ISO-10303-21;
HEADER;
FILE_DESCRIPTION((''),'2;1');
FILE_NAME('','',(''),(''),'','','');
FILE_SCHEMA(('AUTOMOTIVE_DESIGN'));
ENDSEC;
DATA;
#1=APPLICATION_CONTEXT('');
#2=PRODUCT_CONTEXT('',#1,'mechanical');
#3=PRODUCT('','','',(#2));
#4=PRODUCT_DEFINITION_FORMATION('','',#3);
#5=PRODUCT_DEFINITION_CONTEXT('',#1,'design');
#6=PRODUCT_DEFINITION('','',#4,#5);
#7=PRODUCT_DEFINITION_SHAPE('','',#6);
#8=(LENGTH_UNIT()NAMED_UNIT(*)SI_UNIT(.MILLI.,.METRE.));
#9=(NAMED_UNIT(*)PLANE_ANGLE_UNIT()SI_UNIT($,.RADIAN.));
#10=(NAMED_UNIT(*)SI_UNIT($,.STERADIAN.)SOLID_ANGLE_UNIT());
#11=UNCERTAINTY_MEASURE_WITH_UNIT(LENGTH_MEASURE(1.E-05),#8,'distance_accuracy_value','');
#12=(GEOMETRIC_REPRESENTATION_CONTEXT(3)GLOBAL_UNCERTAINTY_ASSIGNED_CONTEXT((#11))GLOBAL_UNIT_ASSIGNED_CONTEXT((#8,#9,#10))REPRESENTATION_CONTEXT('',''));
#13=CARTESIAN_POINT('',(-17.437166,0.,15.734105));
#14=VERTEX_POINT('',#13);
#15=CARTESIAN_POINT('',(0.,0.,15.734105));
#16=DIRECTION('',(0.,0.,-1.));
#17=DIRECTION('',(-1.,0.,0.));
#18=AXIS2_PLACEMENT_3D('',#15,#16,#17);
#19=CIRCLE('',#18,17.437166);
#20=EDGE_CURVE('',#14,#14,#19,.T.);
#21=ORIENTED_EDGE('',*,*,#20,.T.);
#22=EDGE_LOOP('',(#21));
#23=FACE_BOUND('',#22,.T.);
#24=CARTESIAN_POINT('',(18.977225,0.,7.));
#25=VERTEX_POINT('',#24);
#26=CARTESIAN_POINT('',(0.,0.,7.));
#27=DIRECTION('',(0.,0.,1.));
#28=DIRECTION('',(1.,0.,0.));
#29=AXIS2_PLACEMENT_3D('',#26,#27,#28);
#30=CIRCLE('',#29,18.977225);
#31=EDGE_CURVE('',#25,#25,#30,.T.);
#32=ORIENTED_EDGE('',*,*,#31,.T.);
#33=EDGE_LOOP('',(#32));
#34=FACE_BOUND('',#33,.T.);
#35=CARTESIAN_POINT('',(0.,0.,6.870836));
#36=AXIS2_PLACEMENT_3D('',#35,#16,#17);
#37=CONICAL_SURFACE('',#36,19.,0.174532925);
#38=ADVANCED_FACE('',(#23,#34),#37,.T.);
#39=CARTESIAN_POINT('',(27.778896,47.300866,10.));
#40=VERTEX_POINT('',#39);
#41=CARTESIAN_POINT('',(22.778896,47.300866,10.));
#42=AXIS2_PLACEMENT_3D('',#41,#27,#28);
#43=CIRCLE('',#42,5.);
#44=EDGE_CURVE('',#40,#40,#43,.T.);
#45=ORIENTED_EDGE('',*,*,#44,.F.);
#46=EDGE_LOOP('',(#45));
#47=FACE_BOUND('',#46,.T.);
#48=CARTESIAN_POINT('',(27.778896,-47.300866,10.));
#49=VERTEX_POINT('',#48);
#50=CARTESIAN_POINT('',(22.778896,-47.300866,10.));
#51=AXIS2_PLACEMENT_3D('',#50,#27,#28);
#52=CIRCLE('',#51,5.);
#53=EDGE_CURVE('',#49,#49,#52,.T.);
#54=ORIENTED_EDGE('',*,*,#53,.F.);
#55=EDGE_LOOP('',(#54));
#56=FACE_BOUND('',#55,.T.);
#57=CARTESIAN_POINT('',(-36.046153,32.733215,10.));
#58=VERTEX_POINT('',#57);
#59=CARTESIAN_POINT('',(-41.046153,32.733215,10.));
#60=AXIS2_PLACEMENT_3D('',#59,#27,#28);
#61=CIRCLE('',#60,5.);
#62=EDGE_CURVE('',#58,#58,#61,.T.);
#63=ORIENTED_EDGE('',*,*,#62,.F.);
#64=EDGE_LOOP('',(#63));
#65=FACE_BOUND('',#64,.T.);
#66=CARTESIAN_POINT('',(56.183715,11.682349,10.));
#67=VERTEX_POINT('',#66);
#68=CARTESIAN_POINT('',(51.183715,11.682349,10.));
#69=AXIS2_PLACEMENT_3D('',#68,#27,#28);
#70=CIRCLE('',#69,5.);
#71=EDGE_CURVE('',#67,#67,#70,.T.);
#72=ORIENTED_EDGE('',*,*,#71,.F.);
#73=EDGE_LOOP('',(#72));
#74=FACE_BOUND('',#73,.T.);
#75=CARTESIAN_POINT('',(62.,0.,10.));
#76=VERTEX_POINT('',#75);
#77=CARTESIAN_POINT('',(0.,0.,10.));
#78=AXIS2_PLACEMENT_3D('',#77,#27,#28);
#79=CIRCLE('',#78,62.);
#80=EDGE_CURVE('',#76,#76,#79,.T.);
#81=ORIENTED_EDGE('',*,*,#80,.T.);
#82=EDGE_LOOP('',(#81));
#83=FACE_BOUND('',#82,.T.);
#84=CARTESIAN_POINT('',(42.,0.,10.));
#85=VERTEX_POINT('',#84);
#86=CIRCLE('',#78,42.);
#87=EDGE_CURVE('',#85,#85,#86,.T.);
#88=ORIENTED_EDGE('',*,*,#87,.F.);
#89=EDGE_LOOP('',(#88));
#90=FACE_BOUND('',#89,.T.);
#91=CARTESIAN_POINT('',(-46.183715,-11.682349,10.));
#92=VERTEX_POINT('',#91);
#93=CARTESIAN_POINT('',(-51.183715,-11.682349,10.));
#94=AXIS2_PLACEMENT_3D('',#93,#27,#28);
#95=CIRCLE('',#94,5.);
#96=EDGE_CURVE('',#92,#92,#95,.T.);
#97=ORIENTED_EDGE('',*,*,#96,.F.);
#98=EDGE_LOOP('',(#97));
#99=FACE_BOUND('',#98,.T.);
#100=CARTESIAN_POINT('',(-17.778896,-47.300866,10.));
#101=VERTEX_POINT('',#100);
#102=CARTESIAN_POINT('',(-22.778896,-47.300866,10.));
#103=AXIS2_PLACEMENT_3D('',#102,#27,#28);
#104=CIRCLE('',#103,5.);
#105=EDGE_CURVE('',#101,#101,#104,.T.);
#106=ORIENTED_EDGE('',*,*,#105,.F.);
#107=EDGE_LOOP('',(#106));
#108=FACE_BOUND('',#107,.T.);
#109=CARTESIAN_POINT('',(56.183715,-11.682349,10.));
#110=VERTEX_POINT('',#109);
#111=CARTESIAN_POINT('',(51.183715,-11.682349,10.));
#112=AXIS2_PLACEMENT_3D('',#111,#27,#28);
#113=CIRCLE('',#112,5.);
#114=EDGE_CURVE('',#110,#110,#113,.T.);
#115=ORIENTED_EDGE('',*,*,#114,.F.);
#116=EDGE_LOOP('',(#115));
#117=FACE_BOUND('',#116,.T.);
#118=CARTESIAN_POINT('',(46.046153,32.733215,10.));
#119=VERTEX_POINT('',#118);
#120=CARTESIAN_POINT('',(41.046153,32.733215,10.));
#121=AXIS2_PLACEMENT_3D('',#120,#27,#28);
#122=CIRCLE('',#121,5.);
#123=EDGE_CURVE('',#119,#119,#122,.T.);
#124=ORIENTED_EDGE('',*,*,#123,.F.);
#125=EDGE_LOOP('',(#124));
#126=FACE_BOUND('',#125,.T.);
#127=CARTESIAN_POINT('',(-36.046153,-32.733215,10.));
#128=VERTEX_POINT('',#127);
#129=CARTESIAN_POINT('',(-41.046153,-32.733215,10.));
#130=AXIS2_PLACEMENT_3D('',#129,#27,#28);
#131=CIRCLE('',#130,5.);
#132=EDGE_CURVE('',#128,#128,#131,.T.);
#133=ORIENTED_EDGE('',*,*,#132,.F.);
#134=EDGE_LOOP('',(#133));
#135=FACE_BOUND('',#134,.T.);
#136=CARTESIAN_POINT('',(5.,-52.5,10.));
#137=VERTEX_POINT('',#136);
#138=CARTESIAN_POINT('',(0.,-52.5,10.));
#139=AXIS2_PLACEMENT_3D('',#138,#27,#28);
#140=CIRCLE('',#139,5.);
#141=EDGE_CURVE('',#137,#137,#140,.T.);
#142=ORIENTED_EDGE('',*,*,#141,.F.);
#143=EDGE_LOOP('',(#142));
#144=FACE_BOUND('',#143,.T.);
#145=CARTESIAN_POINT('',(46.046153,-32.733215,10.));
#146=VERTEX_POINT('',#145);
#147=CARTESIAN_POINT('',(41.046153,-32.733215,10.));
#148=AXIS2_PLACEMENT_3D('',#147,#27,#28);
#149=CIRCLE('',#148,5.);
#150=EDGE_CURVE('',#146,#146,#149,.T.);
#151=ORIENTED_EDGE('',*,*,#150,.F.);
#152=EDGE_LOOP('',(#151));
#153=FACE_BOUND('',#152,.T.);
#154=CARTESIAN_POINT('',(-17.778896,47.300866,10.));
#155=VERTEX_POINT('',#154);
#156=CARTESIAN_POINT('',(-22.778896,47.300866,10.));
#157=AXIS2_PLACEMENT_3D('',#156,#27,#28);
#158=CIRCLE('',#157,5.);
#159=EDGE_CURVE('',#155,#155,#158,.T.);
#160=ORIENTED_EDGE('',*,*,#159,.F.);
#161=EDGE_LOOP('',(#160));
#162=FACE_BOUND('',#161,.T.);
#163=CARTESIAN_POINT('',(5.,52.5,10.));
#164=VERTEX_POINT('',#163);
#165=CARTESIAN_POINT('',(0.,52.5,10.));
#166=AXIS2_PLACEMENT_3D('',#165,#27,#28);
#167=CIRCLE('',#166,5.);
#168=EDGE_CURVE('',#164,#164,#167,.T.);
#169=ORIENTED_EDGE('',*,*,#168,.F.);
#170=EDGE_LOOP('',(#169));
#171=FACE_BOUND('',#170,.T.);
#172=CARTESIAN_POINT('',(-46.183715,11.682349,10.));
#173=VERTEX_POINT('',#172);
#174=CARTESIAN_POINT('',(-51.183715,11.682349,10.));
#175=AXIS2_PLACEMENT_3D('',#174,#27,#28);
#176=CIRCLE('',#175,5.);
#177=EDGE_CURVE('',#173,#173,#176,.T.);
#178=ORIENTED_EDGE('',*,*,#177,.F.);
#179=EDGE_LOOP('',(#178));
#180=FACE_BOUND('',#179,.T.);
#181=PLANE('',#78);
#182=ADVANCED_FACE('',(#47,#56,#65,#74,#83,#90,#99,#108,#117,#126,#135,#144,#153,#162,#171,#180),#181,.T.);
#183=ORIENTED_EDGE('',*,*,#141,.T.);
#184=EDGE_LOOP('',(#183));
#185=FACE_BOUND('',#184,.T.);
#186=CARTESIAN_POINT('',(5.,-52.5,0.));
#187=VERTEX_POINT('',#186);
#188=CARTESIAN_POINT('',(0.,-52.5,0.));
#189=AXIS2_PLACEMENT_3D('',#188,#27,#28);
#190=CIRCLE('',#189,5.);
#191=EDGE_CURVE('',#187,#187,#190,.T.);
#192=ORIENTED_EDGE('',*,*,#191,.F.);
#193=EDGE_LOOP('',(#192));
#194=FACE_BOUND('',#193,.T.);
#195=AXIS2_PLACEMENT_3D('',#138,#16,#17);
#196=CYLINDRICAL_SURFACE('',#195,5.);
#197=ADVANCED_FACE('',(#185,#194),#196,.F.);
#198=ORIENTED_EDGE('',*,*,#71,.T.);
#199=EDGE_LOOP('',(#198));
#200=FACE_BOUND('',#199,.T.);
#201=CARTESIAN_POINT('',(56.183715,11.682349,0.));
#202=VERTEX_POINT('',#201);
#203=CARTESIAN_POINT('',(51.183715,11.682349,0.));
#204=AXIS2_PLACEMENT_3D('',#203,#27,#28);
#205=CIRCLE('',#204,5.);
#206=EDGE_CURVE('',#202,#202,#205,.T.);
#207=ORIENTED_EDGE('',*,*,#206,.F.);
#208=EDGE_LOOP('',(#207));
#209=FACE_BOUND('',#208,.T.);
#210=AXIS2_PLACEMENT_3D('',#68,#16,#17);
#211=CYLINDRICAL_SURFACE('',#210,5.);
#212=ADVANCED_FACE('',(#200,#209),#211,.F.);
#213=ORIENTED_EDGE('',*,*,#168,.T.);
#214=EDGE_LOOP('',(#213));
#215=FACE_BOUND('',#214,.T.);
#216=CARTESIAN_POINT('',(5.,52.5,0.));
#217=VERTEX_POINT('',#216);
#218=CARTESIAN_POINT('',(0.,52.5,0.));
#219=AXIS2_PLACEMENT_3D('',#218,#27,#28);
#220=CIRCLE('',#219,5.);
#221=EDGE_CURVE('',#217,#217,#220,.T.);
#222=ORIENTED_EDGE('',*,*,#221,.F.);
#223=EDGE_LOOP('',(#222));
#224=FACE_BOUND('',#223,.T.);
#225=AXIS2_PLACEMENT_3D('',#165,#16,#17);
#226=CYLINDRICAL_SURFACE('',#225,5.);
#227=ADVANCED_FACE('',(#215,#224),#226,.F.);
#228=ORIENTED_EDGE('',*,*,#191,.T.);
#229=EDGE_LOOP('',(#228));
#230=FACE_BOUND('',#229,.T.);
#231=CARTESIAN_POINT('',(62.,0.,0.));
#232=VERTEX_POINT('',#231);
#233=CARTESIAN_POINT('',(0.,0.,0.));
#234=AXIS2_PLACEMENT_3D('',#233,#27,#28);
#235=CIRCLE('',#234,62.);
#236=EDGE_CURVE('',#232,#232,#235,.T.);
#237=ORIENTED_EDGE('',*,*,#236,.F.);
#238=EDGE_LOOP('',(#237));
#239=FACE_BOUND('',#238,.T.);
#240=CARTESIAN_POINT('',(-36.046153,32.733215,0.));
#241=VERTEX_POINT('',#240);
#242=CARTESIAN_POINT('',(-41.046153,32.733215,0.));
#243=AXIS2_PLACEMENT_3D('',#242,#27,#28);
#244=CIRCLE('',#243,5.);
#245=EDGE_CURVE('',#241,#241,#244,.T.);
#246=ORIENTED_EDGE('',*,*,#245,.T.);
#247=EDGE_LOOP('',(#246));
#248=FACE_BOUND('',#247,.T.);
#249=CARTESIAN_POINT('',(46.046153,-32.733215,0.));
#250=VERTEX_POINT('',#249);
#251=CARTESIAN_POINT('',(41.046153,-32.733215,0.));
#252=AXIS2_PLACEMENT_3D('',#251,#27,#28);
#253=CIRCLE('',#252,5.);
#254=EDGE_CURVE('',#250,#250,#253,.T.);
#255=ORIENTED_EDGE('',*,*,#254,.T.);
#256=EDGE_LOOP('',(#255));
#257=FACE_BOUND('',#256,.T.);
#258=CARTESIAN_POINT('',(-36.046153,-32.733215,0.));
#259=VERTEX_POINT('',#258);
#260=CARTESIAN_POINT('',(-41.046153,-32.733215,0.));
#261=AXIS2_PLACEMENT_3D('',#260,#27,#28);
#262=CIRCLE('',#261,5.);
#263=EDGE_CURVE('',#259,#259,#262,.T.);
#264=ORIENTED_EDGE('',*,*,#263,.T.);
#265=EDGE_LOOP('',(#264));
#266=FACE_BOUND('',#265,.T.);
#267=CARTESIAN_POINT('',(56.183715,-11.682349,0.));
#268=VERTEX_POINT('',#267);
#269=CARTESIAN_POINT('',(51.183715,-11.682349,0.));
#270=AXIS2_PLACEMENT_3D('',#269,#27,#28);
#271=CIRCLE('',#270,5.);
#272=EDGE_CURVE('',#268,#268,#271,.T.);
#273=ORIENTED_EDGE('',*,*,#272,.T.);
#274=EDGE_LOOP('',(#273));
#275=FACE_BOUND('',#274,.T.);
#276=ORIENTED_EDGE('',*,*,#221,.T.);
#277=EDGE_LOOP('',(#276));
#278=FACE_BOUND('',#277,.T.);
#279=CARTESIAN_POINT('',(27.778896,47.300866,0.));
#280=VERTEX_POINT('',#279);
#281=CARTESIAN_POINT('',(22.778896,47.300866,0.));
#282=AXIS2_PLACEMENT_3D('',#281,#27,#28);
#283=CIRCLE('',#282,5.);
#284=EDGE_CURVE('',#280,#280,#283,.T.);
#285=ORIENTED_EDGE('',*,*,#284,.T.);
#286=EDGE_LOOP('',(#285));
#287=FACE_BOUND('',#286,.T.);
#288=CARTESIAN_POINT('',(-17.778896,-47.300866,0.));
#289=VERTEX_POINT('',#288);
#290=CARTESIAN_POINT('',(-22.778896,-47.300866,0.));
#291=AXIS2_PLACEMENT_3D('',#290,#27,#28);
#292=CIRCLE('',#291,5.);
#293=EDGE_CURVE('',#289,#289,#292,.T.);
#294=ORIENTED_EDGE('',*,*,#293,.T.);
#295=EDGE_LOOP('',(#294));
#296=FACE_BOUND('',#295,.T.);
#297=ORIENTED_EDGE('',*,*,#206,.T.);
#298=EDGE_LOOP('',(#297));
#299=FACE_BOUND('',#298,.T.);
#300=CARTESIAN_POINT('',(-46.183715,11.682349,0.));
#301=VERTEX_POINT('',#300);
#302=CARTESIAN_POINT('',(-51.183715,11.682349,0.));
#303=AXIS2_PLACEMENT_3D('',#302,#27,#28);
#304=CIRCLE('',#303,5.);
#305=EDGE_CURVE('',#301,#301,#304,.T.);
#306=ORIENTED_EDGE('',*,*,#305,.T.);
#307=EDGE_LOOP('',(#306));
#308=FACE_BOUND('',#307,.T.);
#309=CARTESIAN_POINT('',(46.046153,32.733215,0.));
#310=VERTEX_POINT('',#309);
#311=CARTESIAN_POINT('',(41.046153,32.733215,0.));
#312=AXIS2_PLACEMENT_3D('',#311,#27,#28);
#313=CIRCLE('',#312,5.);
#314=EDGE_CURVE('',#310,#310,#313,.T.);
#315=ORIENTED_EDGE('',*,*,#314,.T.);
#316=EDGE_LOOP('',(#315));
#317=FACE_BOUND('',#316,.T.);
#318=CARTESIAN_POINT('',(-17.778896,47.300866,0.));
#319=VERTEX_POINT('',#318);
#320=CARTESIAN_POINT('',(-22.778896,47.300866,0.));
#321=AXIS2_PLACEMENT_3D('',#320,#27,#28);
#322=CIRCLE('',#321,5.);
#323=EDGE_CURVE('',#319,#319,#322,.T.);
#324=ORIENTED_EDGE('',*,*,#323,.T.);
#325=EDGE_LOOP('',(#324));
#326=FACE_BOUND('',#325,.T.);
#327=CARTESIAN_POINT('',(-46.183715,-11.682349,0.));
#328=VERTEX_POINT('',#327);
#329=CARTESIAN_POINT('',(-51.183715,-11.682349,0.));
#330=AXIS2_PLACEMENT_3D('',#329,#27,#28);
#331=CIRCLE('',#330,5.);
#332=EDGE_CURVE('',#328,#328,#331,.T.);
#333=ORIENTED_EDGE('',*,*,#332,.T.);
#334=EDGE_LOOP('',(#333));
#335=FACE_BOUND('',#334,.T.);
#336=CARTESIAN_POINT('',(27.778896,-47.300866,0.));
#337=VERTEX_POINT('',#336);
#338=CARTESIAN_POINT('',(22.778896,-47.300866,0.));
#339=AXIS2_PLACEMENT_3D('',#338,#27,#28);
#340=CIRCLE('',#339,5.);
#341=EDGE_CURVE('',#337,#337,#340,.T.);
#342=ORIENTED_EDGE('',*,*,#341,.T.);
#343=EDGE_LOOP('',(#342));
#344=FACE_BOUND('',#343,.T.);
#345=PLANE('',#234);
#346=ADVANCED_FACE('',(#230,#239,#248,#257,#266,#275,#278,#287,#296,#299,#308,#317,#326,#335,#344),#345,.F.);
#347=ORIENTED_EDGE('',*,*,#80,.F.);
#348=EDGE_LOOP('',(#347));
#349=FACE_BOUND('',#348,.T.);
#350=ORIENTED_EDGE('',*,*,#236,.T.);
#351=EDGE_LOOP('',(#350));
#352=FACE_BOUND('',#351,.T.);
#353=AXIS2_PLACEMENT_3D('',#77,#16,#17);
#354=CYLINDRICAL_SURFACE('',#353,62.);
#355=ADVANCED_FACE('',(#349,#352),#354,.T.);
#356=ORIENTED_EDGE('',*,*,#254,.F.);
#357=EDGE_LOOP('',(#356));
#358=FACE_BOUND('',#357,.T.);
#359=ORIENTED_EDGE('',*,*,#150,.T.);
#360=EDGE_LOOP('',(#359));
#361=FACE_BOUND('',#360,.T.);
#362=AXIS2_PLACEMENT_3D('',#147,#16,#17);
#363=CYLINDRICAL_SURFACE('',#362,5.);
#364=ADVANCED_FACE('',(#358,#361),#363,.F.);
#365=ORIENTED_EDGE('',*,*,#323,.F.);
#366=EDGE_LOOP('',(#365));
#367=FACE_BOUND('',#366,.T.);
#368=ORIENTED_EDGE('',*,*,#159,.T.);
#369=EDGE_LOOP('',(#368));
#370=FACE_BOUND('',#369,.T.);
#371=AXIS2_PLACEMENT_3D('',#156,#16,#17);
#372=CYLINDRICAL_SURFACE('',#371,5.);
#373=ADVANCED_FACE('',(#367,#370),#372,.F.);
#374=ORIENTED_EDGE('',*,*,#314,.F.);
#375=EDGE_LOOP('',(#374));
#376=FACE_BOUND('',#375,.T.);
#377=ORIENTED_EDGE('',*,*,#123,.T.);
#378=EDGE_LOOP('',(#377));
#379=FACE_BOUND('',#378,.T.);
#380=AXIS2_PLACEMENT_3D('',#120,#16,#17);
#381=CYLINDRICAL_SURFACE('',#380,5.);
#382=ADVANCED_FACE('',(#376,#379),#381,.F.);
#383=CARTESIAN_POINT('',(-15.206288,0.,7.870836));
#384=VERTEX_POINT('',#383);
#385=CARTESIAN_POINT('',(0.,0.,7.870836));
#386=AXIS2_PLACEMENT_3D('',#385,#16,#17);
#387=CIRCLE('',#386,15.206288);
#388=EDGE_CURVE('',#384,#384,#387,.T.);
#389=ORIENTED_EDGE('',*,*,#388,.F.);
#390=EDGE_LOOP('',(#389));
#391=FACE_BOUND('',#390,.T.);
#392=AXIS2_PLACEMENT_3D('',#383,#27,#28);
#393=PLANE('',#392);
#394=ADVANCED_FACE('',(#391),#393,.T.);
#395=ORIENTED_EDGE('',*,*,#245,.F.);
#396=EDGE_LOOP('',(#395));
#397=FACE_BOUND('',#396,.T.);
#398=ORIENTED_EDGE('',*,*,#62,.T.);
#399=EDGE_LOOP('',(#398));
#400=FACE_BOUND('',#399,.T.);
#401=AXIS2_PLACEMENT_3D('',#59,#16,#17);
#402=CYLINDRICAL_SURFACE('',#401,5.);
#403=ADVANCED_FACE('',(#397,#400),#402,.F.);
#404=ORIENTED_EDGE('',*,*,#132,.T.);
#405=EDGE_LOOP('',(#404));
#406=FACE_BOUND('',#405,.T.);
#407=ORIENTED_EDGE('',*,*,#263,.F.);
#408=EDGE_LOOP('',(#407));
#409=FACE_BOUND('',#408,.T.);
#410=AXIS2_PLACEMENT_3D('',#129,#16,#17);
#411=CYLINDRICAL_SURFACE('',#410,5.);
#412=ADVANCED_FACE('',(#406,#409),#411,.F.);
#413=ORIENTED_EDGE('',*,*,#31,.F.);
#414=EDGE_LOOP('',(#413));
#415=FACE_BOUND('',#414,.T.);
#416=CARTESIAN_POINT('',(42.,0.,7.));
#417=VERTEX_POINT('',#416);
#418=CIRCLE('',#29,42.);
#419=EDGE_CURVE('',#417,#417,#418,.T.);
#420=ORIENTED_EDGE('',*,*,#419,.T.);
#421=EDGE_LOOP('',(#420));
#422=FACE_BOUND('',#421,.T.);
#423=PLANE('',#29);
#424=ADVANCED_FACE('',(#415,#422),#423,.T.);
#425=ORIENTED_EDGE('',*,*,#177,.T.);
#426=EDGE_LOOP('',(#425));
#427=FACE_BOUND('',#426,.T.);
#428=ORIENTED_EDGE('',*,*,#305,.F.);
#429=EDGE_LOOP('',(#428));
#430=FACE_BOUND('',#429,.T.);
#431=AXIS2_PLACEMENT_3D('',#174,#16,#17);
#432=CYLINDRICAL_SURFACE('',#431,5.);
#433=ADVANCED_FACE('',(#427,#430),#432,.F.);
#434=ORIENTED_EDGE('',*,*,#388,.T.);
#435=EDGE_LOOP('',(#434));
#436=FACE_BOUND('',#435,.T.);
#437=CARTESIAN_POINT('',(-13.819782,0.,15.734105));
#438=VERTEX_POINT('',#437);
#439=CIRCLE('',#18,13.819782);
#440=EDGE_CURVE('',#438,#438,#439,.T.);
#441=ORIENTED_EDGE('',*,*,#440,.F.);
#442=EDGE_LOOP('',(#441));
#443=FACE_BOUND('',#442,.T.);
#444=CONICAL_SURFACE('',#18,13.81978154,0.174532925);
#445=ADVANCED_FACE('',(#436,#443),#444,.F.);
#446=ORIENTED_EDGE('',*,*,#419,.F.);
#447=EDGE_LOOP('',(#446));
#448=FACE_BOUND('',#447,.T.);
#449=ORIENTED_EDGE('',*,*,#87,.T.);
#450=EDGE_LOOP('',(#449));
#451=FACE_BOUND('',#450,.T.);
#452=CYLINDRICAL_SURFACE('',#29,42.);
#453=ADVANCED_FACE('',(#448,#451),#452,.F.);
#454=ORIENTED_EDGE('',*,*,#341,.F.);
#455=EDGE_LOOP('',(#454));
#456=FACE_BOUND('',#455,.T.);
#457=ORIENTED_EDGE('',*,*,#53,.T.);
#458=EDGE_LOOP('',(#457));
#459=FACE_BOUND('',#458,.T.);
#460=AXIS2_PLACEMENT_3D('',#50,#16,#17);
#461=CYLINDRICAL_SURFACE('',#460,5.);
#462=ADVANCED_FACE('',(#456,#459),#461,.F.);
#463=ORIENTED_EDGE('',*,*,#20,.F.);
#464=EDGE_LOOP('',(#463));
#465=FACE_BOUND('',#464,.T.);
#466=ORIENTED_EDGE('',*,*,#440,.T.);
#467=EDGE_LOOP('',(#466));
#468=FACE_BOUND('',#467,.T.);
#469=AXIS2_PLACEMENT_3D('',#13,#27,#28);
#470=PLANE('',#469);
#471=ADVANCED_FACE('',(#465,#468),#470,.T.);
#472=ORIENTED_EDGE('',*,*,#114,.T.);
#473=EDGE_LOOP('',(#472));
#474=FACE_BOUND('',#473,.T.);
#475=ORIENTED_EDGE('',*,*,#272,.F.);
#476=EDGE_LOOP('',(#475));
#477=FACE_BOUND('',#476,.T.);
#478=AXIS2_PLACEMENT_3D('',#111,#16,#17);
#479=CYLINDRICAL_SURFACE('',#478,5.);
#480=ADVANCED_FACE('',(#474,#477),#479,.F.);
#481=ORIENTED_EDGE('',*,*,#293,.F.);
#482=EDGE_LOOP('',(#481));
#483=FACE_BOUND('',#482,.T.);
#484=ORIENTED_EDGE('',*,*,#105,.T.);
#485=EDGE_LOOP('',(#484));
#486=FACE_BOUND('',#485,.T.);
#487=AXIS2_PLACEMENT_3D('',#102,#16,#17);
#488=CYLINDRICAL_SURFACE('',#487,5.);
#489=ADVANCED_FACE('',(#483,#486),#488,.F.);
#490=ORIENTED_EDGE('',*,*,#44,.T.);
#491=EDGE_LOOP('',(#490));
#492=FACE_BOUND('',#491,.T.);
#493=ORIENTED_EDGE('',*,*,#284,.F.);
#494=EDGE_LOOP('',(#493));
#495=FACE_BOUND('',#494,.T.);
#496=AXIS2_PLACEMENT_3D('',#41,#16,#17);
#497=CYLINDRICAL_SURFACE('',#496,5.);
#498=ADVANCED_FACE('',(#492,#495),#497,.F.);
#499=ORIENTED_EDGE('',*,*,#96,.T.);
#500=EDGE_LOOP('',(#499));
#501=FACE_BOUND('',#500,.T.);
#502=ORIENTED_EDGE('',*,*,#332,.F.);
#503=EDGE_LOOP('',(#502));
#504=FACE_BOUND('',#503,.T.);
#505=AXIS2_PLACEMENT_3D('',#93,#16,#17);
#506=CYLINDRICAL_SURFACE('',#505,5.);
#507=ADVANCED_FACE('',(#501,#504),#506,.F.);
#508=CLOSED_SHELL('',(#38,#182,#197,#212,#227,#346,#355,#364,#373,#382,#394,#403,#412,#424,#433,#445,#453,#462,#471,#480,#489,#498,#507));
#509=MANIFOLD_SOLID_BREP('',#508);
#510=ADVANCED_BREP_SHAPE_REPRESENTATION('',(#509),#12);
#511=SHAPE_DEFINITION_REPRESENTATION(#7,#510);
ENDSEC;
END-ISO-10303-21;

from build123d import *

# Parameters (mm, degrees)
SKETCH1_R           = 62
SKETCH1_R_2         = 5
SKETCH1_R_3         = 43
BOSS_EXTRUDE2_DEPTH = 10
SKETCH2_R           = 42
CUT_EXTRUDE1_DEPTH  = 3


with BuildPart() as part:
    # Sketch1 → Boss-Extrude2 (new body)
    # profile 1 of 2: a face of its own
    with BuildSketch(Plane.XY):
        Circle(SKETCH1_R)
        with Locations((-22.778896304, 47.300865565)):
            Circle(SKETCH1_R_2, mode=Mode.SUBTRACT)
        with Locations((-41.04615283, 32.733214598)):
            Circle(SKETCH1_R_2, mode=Mode.SUBTRACT)
        with Locations((-51.18371539, 11.682349033)):
            Circle(SKETCH1_R_2, mode=Mode.SUBTRACT)
        with Locations((-51.18371539, -11.682349033)):
            Circle(SKETCH1_R_2, mode=Mode.SUBTRACT)
        with Locations((-41.04615283, -32.733214598)):
            Circle(SKETCH1_R_2, mode=Mode.SUBTRACT)
        with Locations((-22.778896304, -47.300865565)):
            Circle(SKETCH1_R_2, mode=Mode.SUBTRACT)
        with Locations((0, -52.5)):
            Circle(SKETCH1_R_2, mode=Mode.SUBTRACT)
        with Locations((22.778896304, -47.300865565)):
            Circle(SKETCH1_R_2, mode=Mode.SUBTRACT)
        with Locations((41.04615283, -32.733214598)):
            Circle(SKETCH1_R_2, mode=Mode.SUBTRACT)
        with Locations((51.18371539, -11.682349033)):
            Circle(SKETCH1_R_2, mode=Mode.SUBTRACT)
        with Locations((51.18371539, 11.682349033)):
            Circle(SKETCH1_R_2, mode=Mode.SUBTRACT)
        with Locations((41.04615283, 32.733214598)):
            Circle(SKETCH1_R_2, mode=Mode.SUBTRACT)
        with Locations((22.778896304, 47.300865565)):
            Circle(SKETCH1_R_2, mode=Mode.SUBTRACT)
        with Locations((0, 52.5)):
            Circle(SKETCH1_R_2, mode=Mode.SUBTRACT)
        Circle(SKETCH1_R_3, mode=Mode.SUBTRACT)
    # profile 2 of 2: a face of its own
    with BuildSketch(Plane.XY):
        Circle(SKETCH1_R_3)
    extrude(amount=BOSS_EXTRUDE2_DEPTH)

    # Sketch2 → Cut-Extrude1 (cut)
    with BuildSketch(Plane.XY.offset(10)):
        Circle(SKETCH2_R)
    extrude(amount=-CUT_EXTRUDE1_DEPTH, mode=Mode.SUBTRACT)

    # Sketch5 → Revolve1 (revolve)
    with BuildSketch(Plane(origin=(0, 0, 0), x_dir=(1, 0, 0), z_dir=(0, 1, 0))):
        Polygon((0, -6.870835564), (-19, -6.870835564), (-17.437166401, -15.734105341), (-13.81978154, -15.734105341), (-15.206288158, -7.870835564), (0, -7.870835564), align=None)
    revolve(axis=Axis((0, 0, 0), (0, 0, 1)))


solid = part.part
